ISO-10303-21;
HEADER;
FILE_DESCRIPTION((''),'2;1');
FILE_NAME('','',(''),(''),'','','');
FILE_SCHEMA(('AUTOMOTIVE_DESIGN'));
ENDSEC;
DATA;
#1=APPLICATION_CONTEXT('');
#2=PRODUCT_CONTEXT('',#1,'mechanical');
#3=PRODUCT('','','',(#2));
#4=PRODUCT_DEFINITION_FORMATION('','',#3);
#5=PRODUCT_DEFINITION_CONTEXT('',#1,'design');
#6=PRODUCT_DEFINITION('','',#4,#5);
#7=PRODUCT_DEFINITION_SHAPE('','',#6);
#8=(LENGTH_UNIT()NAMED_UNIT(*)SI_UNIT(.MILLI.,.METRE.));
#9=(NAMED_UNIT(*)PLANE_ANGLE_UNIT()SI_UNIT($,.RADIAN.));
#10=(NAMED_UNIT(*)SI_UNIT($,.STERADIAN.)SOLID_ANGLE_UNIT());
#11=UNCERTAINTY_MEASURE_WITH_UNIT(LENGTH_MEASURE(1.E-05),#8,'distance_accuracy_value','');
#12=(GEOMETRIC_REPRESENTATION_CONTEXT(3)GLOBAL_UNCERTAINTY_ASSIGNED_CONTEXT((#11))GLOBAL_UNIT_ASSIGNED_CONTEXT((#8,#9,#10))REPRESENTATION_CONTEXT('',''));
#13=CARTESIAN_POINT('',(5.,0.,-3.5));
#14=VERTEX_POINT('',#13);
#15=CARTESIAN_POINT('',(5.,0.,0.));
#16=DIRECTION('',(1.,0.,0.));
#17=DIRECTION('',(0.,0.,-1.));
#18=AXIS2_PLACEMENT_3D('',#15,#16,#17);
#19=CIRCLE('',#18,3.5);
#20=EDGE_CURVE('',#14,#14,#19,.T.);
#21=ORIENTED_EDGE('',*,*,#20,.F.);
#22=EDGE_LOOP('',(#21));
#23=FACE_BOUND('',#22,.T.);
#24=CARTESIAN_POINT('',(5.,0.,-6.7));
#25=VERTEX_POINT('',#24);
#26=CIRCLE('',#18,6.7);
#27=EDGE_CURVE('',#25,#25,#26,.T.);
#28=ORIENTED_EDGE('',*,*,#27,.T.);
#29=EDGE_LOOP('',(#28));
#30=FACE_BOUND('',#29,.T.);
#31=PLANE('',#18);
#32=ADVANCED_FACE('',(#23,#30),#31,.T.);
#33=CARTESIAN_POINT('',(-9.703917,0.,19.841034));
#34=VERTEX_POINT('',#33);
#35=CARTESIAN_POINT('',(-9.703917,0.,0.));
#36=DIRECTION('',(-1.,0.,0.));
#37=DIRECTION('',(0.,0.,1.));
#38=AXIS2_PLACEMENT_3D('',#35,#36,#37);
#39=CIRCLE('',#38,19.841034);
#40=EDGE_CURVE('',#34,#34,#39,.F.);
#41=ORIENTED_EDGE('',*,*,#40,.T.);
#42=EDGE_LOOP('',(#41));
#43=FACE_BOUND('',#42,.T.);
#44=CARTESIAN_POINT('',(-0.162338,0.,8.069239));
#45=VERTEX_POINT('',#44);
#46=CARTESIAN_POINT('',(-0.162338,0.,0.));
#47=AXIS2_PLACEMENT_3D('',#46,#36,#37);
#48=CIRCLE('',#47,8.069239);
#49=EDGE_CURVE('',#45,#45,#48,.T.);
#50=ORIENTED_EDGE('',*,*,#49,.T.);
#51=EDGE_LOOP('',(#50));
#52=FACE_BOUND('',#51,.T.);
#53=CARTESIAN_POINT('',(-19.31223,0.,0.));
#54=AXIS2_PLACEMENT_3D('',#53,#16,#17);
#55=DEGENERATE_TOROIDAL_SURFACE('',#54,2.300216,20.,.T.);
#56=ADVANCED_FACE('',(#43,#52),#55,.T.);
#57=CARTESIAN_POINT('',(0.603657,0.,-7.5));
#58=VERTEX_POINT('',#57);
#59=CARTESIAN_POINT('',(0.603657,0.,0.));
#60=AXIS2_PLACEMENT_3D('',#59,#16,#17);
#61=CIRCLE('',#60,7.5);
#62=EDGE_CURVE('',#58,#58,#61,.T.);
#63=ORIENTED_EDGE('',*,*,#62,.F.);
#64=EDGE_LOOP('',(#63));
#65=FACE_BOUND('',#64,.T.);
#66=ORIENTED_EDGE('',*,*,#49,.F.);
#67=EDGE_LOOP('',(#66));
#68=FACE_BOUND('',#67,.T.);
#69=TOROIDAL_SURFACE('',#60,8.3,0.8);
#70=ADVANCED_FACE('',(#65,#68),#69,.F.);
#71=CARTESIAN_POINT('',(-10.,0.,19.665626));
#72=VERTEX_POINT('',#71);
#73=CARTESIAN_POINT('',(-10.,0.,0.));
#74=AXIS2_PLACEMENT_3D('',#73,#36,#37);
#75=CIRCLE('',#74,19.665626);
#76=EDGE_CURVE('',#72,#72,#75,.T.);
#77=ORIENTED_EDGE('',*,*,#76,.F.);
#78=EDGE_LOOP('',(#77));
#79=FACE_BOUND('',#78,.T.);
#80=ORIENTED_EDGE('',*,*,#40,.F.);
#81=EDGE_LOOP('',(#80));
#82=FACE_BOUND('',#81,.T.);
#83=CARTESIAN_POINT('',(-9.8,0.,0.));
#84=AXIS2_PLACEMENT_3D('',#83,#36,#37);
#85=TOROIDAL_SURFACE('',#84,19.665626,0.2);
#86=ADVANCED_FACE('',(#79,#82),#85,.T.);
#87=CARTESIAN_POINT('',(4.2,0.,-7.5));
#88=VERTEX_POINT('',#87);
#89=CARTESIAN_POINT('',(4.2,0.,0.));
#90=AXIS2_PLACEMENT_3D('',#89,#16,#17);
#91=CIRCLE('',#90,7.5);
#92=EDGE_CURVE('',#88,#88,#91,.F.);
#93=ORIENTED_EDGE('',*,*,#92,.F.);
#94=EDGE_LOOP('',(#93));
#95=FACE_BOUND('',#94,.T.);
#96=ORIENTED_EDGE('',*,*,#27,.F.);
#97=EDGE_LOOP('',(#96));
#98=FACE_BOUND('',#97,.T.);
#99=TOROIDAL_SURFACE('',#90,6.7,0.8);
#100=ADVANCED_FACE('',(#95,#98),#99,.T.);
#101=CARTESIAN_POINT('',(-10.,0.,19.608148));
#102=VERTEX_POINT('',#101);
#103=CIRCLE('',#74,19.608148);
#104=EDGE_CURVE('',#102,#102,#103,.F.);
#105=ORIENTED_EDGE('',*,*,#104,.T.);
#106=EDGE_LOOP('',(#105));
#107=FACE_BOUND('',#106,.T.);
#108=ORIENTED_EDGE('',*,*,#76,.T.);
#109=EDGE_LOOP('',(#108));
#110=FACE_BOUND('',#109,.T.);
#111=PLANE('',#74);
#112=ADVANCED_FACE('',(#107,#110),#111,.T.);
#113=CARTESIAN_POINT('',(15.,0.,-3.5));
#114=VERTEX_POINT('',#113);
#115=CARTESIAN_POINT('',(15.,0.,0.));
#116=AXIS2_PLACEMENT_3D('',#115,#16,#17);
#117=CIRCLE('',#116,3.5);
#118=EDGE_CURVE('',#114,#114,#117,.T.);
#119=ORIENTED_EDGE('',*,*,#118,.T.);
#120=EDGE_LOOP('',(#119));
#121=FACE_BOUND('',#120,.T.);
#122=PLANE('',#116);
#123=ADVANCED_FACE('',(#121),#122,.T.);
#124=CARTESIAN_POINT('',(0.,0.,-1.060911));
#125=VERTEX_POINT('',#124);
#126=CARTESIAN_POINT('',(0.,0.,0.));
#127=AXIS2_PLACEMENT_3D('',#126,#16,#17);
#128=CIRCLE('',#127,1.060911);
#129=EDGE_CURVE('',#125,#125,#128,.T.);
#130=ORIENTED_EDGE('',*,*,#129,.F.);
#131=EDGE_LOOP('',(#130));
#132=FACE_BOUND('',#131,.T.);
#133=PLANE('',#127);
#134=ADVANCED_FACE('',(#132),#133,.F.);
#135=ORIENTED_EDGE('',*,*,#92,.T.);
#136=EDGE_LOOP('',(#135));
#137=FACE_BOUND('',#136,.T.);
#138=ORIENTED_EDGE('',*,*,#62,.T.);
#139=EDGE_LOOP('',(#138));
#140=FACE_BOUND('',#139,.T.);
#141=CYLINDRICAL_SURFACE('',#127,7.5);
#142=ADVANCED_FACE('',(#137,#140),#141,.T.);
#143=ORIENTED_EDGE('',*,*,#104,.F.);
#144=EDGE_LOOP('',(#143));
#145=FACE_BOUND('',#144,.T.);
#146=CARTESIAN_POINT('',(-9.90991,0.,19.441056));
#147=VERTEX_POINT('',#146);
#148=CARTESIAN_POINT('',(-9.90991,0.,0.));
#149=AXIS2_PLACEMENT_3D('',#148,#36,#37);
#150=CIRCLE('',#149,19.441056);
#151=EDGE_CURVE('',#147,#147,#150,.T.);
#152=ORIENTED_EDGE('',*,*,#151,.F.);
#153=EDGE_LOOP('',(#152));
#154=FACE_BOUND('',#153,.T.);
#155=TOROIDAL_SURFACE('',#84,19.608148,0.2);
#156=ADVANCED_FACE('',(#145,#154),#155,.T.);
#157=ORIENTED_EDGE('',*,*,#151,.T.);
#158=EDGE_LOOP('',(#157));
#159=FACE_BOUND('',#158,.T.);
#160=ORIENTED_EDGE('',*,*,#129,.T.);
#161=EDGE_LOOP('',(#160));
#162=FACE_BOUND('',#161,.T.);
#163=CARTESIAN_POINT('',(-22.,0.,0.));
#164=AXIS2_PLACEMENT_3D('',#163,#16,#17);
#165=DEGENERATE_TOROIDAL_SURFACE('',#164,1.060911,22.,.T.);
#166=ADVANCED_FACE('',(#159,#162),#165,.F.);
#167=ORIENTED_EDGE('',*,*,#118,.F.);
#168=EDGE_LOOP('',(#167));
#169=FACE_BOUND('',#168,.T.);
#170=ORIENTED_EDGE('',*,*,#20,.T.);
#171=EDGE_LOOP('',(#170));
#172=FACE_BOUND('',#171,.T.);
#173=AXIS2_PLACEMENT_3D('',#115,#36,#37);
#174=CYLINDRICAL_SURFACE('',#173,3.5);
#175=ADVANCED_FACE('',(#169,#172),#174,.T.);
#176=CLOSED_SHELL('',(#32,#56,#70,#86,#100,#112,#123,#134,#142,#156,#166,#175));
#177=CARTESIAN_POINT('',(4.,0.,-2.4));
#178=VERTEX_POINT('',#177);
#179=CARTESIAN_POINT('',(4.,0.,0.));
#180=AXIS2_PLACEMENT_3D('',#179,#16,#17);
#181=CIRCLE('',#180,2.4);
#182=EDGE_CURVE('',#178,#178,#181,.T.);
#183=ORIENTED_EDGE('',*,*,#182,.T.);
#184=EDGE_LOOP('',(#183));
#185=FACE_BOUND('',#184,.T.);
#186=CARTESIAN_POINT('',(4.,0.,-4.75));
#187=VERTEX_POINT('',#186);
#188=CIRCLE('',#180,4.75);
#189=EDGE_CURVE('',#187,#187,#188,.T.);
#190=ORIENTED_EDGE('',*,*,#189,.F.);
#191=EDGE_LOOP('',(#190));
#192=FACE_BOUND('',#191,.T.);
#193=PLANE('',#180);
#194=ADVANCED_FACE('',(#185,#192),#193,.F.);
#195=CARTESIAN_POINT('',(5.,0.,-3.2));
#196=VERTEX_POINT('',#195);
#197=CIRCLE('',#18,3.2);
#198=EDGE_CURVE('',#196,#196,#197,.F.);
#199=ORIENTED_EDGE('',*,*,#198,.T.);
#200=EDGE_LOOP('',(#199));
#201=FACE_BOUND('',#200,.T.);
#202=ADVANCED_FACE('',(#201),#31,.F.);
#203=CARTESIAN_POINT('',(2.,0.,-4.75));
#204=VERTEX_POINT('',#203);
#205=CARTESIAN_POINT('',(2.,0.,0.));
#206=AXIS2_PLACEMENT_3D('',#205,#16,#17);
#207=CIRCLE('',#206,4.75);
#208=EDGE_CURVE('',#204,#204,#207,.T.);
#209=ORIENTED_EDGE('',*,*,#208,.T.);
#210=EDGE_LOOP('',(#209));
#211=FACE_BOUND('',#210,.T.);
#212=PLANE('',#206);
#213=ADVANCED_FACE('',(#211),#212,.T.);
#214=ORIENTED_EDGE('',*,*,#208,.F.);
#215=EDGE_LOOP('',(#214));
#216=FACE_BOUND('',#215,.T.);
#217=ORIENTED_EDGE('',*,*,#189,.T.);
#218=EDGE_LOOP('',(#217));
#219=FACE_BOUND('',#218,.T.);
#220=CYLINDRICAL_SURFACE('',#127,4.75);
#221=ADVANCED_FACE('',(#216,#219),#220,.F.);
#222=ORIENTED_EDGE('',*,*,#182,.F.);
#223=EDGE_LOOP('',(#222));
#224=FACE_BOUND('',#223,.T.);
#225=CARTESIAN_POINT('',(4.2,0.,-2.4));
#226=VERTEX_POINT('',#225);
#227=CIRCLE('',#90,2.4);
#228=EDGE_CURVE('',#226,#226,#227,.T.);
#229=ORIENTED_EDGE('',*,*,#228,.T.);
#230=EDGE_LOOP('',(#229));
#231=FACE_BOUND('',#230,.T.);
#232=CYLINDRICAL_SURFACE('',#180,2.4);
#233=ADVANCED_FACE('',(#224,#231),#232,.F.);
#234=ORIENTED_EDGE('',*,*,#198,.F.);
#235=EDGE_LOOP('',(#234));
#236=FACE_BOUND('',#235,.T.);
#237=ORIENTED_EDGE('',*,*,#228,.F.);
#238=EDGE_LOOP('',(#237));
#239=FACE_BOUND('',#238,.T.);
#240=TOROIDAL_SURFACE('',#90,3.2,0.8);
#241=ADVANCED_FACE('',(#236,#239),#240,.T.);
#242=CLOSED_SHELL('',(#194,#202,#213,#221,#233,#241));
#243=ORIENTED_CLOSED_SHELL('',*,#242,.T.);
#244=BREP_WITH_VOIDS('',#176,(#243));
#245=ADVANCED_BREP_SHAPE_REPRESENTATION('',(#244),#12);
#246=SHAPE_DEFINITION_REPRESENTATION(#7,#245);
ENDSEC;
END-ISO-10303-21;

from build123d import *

# Parameters (mm, degrees)
SKETCH2_R           = 2.4
CUT_EXTRUDE1_DEPTH  = 1
FILLET2_R           = 0.8
FILLET3_R           = 0.2
SKETCH7_R           = 3.5
BOSS_EXTRUDE1_DEPTH = 10


with BuildPart() as part:
    # Sketch1 → Revolve2 (revolve)
    with BuildSketch(Plane.XY, mode=Mode.PRIVATE) as revolve2_sk:
        with BuildLine():
            ThreePointArc((-10, 19.5), (-2.660920394, 11.548999567), (0, 1.060911085))
            Line((0, 1.060911085), (0, 7.5))
            ThreePointArc((0, 7.5), (-3.694854211, 14.794116631), (-10, 20))
            Line((-10, 20), (-10, 19.5))
        make_face()
        Polygon((0, 1.060911085), (0, 0), (2, 0), (2, 4.75), (4, 4.75), (4, 0), (5, 0), (5, 7.5), (0, 7.5), align=None)
    revolve(revolve2_sk.sketch.rotate(Axis((0, 0, 0), (-1, 0, 0)), 90), axis=Axis((0, 0, 0), (-1, 0, 0)))

    # Sketch2 → Cut-Extrude1 (cut)
    with BuildSketch(Plane(origin=(5, 0, 0), x_dir=(0, 0, -1), z_dir=(1, 0, 0))):
        Circle(SKETCH2_R)
    extrude(amount=-CUT_EXTRUDE1_DEPTH, mode=Mode.SUBTRACT)

    # Fillet2
    fillet2_edges = [part.edges().sort_by_distance(p)[0] for p in [
        (0, 0, 7.5),
        (5, 0, 7.5),
        (5, 0, 2.4),
    ]]
    fillet(fillet2_edges, radius=FILLET2_R)

    # Fillet3
    fillet3_edges = [part.edges().sort_by_distance(p)[0] for p in [
        (-10, 0, 20),
        (-10, 0, 19.5),
    ]]
    fillet(fillet3_edges, radius=FILLET3_R)

    # Sketch7 → Boss-Extrude1 (add)
    with BuildSketch(Plane(origin=(5, 0, 0), x_dir=(0, 0, -1), z_dir=(1, 0, 0))):
        Circle(SKETCH7_R)
    extrude(amount=BOSS_EXTRUDE1_DEPTH)


solid = part.part
